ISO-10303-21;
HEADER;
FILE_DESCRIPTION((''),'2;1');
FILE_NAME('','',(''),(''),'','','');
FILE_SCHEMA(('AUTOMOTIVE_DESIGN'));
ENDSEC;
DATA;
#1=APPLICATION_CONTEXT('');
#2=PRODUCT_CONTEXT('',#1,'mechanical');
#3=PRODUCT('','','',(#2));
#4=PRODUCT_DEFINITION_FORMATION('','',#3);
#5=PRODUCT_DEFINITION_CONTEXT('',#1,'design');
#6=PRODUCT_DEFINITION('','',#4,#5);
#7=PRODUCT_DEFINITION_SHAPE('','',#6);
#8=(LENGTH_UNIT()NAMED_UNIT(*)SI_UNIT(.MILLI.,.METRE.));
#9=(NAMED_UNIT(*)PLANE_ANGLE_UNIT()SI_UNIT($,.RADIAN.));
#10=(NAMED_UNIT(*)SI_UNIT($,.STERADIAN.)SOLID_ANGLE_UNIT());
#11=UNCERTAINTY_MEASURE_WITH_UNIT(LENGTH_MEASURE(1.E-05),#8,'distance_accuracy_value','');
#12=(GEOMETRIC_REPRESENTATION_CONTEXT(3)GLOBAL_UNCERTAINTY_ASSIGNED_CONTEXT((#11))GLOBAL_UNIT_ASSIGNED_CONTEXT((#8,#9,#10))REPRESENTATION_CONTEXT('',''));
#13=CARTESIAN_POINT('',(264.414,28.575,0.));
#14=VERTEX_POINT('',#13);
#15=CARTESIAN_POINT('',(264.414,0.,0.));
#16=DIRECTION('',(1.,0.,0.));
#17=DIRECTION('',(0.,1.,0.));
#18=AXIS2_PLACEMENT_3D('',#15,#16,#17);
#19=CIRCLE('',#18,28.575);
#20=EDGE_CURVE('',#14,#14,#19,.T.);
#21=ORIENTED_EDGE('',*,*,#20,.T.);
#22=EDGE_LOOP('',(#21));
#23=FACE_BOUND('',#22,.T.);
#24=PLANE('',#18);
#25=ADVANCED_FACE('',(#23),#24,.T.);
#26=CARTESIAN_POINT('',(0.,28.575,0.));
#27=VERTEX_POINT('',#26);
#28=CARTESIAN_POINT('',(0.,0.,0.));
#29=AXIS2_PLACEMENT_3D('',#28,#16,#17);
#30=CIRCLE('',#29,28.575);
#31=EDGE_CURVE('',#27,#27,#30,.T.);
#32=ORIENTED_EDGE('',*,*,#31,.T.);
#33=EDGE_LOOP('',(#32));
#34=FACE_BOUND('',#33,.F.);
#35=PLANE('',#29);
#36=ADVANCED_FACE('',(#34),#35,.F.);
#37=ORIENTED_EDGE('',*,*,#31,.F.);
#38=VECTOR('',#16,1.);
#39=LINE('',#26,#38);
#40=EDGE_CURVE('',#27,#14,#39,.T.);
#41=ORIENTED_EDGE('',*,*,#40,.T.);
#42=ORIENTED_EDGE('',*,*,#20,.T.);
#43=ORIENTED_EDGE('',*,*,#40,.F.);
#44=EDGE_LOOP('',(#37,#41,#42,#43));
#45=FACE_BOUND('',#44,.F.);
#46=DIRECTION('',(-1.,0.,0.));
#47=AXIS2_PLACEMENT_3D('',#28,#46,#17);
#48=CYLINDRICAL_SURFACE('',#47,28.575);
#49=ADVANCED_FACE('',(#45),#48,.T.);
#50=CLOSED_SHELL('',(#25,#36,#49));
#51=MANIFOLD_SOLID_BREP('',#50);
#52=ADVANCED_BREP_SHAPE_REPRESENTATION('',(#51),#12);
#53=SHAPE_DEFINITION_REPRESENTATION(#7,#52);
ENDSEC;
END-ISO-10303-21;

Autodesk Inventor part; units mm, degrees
ref_plane "YZ Plane" through (0, 0, 0) normal (1, 0, 0) x (0, 1, 0)
ref_plane "XZ Plane" through (0, 0, 0) normal (0, 1, 0) x (-1, 0, 0)
ref_plane "XY Plane" through (0, 0, 0) normal (0, 0, 1) x (1, 0, 0)
sketch "Sketch1" plane through (0, 0, 0) normal (1, 0, 0) x (0, 1, 0)
  circle A0 centre (0, 0) radius 28.575
  dimension "d0" = 57.15
extrude "Extrusion1" add sketch "Sketch1" along normal blind 264.414
properties part number "NewRoller"
